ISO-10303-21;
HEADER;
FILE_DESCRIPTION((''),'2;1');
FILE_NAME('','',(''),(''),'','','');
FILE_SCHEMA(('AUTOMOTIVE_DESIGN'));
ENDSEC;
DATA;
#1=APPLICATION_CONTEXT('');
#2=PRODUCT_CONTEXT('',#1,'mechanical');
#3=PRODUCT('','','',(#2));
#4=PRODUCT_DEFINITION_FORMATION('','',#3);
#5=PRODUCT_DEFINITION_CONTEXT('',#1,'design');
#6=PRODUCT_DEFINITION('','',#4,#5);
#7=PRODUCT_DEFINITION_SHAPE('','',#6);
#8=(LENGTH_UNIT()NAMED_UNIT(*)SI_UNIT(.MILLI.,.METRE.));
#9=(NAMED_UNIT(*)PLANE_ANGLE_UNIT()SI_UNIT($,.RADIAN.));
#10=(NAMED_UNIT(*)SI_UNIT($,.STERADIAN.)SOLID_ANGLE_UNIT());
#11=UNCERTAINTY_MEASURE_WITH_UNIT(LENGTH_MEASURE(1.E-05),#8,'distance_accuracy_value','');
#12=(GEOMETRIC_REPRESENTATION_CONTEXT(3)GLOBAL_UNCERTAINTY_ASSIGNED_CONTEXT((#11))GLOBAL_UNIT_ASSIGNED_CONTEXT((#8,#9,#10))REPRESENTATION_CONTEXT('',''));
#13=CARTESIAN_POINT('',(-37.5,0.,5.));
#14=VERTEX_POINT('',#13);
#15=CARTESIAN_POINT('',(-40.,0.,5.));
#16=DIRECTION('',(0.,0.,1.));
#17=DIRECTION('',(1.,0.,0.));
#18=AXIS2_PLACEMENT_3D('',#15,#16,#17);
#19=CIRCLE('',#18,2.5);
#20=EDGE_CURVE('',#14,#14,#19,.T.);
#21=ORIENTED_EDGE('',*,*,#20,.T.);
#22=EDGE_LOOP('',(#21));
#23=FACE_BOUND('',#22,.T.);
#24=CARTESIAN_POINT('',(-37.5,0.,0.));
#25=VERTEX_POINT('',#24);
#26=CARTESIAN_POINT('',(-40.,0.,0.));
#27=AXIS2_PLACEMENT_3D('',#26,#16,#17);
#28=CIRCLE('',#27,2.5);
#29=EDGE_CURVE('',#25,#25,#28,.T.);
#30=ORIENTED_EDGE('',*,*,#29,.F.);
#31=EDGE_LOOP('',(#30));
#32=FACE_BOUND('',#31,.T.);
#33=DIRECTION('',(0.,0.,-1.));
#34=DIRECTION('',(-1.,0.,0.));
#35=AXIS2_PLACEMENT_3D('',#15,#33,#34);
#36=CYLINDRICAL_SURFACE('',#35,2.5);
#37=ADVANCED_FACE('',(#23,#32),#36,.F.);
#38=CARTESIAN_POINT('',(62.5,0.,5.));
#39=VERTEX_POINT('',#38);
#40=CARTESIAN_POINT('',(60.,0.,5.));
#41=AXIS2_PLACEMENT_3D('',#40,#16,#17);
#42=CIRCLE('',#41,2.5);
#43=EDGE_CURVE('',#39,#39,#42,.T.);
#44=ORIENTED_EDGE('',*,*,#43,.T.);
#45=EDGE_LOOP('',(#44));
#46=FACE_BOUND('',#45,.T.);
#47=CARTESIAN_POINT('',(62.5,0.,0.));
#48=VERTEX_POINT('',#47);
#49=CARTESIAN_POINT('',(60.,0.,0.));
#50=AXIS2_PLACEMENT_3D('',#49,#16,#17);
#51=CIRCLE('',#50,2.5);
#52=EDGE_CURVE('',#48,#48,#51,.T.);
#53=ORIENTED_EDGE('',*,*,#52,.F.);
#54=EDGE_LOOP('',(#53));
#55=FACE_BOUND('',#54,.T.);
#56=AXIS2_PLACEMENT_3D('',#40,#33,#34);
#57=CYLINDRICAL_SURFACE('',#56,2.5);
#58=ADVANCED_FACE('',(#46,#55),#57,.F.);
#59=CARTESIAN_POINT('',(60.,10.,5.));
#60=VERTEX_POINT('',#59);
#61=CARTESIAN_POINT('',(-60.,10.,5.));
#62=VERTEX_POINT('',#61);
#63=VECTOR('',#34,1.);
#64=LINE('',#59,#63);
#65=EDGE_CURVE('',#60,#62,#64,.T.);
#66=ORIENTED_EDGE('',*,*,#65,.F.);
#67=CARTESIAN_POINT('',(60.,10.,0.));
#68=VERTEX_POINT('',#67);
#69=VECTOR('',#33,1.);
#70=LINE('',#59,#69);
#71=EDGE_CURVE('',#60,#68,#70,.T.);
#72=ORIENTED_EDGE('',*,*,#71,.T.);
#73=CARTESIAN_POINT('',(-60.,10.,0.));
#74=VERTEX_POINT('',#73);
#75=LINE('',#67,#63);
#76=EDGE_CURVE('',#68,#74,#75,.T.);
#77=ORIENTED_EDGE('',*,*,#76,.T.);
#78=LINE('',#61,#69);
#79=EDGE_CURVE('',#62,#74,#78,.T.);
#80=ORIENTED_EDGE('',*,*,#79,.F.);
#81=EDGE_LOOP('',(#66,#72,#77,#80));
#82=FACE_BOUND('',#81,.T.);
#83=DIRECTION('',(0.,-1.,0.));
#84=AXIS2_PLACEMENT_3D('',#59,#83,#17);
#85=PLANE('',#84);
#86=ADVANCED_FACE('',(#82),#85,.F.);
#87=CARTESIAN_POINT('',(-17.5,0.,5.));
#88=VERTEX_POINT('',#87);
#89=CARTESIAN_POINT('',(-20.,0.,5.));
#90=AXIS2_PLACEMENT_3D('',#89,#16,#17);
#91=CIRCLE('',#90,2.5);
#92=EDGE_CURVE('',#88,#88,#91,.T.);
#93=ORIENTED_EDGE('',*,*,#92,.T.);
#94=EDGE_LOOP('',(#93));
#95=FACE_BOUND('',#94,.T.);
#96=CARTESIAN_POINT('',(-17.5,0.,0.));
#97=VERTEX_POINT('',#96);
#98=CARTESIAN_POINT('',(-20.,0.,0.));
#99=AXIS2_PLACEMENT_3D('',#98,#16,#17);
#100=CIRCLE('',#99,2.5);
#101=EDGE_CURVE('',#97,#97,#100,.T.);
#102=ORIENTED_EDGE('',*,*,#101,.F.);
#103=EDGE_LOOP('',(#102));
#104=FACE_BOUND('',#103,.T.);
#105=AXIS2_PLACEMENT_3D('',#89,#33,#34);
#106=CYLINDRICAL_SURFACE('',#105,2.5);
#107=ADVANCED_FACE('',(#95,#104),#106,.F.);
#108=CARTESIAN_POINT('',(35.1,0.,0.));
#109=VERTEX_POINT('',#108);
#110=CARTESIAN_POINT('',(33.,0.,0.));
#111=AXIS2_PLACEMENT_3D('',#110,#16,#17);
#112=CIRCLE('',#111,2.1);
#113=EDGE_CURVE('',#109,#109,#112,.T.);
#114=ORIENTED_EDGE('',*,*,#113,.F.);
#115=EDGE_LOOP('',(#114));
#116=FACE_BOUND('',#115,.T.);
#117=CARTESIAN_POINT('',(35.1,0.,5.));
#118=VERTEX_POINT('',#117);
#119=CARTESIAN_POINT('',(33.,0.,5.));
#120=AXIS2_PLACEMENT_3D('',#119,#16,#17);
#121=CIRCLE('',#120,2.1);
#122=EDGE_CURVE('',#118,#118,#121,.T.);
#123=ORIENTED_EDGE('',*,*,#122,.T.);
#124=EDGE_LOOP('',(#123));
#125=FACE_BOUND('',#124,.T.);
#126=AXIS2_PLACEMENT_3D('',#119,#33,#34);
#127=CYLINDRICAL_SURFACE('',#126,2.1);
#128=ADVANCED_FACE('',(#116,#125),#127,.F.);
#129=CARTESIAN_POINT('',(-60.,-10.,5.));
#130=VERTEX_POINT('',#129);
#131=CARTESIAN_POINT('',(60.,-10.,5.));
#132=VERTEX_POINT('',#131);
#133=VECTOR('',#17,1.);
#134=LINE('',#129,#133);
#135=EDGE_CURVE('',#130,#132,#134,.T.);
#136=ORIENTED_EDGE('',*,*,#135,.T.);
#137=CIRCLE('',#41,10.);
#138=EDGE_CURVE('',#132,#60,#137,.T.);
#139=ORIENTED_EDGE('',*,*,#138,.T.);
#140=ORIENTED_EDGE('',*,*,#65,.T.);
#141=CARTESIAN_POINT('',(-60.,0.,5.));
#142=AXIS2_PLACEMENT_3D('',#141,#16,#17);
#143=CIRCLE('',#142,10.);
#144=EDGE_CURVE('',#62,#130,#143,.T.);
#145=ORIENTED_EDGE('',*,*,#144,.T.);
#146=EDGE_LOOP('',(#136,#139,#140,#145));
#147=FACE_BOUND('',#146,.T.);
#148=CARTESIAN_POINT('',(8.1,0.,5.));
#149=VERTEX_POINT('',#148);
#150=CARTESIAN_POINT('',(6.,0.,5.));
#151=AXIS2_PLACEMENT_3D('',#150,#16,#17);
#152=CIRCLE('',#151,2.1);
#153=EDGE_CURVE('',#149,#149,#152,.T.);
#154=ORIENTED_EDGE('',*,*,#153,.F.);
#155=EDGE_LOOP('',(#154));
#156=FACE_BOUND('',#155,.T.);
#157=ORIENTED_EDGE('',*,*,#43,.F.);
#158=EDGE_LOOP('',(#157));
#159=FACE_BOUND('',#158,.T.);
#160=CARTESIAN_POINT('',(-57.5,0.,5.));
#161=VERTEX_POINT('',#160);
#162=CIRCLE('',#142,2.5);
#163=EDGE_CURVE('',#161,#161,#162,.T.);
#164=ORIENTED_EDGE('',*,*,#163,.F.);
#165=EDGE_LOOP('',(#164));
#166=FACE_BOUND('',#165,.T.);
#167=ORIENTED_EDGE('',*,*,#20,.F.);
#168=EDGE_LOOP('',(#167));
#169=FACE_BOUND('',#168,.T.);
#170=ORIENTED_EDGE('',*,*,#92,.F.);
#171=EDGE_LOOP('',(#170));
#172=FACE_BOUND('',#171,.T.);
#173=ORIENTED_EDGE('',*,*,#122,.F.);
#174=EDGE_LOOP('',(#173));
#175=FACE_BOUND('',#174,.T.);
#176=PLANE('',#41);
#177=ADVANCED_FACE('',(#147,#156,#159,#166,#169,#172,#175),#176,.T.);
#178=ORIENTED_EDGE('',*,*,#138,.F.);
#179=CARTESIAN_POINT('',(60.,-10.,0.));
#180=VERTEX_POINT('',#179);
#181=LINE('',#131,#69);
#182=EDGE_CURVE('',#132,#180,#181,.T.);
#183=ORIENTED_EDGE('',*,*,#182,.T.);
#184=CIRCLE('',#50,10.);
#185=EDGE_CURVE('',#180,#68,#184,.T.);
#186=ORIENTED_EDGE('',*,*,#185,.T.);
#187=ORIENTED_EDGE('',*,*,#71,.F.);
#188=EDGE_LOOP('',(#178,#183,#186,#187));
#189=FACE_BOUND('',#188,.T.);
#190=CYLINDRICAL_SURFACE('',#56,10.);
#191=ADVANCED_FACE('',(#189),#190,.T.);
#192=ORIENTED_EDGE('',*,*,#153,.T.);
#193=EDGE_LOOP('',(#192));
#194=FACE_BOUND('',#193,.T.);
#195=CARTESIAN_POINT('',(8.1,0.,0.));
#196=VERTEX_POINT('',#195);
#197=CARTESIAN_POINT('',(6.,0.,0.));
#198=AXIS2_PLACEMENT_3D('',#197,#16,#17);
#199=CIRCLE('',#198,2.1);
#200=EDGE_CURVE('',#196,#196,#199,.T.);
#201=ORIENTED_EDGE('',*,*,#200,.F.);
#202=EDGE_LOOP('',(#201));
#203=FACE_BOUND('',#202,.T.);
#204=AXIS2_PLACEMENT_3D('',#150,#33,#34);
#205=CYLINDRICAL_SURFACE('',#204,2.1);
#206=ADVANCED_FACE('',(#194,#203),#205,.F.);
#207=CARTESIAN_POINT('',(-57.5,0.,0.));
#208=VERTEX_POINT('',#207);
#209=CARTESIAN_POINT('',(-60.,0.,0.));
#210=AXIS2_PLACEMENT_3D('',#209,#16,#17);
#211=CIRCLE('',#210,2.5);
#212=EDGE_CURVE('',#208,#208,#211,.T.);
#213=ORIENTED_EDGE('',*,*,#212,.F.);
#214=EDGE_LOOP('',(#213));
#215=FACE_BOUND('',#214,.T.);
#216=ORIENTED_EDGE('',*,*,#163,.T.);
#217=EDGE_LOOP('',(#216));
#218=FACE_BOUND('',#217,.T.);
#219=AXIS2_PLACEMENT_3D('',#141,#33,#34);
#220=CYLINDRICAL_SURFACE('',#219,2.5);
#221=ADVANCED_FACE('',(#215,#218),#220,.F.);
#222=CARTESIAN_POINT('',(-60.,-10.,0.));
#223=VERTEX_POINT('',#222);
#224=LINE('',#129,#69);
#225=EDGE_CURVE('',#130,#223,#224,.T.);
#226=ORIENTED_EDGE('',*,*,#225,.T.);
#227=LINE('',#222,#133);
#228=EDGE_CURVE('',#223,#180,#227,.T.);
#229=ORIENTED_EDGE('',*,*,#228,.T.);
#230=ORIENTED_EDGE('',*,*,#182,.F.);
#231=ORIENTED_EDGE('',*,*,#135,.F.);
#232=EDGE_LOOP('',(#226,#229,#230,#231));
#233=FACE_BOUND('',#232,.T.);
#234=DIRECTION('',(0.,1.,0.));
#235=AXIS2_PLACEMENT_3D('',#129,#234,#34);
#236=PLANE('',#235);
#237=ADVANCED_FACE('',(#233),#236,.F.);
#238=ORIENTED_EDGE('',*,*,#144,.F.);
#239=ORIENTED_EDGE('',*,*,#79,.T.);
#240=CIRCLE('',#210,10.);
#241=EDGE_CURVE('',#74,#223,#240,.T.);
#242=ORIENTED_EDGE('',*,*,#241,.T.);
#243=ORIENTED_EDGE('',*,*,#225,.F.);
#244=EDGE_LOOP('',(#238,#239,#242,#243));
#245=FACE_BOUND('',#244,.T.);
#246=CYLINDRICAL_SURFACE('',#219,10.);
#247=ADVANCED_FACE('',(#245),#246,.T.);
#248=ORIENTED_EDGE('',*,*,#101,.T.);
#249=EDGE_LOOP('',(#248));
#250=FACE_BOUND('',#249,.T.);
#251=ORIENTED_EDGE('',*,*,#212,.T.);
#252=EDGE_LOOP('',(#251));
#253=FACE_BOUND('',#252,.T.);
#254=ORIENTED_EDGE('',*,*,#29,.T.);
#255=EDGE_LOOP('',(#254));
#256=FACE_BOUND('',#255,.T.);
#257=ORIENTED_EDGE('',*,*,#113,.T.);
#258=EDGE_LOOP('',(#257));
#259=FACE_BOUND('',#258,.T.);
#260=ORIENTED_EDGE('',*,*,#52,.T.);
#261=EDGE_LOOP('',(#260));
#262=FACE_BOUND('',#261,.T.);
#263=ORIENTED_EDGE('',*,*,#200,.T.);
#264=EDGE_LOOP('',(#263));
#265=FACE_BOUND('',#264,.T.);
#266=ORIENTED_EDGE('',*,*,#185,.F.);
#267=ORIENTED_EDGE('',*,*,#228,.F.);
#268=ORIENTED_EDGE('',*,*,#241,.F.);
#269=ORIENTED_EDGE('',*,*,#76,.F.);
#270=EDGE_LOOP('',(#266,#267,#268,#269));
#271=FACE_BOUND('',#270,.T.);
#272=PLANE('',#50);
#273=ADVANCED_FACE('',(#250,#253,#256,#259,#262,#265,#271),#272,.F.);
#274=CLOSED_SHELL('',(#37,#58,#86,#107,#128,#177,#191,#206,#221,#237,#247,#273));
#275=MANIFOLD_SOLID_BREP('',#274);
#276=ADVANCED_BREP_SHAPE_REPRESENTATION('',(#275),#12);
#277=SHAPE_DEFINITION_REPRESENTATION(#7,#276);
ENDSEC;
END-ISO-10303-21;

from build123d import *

# Parameters (mm, degrees)
ESQUISSE1_R      = 2.5
ESQUISSE1_R_2    = 2.1
EXTRUSION1_DEPTH = 5


with BuildPart() as part:
    # Esquisse1 → Extrusion1 (new body)
    with BuildSketch(Plane.XY):
        with BuildLine():
            Line((60, 10), (-60, 10))
            ThreePointArc((-60, 10), (-70, 0), (-60, -10))
            Line((-60, -10), (60, -10))
            ThreePointArc((60, -10), (70, 0), (60, 10))
        make_face()
        with Locations((60, 0)):
            Circle(ESQUISSE1_R, mode=Mode.SUBTRACT)
        with Locations((-60, 0)):
            Circle(ESQUISSE1_R, mode=Mode.SUBTRACT)
        with Locations((33, 0)):
            Circle(ESQUISSE1_R_2, mode=Mode.SUBTRACT)
        with Locations((6, 0)):
            Circle(ESQUISSE1_R_2, mode=Mode.SUBTRACT)
        with Locations((-40, 0)):
            Circle(ESQUISSE1_R, mode=Mode.SUBTRACT)
        with Locations((-20, 0)):
            Circle(ESQUISSE1_R, mode=Mode.SUBTRACT)
    extrude(amount=EXTRUSION1_DEPTH)


solid = part.part
